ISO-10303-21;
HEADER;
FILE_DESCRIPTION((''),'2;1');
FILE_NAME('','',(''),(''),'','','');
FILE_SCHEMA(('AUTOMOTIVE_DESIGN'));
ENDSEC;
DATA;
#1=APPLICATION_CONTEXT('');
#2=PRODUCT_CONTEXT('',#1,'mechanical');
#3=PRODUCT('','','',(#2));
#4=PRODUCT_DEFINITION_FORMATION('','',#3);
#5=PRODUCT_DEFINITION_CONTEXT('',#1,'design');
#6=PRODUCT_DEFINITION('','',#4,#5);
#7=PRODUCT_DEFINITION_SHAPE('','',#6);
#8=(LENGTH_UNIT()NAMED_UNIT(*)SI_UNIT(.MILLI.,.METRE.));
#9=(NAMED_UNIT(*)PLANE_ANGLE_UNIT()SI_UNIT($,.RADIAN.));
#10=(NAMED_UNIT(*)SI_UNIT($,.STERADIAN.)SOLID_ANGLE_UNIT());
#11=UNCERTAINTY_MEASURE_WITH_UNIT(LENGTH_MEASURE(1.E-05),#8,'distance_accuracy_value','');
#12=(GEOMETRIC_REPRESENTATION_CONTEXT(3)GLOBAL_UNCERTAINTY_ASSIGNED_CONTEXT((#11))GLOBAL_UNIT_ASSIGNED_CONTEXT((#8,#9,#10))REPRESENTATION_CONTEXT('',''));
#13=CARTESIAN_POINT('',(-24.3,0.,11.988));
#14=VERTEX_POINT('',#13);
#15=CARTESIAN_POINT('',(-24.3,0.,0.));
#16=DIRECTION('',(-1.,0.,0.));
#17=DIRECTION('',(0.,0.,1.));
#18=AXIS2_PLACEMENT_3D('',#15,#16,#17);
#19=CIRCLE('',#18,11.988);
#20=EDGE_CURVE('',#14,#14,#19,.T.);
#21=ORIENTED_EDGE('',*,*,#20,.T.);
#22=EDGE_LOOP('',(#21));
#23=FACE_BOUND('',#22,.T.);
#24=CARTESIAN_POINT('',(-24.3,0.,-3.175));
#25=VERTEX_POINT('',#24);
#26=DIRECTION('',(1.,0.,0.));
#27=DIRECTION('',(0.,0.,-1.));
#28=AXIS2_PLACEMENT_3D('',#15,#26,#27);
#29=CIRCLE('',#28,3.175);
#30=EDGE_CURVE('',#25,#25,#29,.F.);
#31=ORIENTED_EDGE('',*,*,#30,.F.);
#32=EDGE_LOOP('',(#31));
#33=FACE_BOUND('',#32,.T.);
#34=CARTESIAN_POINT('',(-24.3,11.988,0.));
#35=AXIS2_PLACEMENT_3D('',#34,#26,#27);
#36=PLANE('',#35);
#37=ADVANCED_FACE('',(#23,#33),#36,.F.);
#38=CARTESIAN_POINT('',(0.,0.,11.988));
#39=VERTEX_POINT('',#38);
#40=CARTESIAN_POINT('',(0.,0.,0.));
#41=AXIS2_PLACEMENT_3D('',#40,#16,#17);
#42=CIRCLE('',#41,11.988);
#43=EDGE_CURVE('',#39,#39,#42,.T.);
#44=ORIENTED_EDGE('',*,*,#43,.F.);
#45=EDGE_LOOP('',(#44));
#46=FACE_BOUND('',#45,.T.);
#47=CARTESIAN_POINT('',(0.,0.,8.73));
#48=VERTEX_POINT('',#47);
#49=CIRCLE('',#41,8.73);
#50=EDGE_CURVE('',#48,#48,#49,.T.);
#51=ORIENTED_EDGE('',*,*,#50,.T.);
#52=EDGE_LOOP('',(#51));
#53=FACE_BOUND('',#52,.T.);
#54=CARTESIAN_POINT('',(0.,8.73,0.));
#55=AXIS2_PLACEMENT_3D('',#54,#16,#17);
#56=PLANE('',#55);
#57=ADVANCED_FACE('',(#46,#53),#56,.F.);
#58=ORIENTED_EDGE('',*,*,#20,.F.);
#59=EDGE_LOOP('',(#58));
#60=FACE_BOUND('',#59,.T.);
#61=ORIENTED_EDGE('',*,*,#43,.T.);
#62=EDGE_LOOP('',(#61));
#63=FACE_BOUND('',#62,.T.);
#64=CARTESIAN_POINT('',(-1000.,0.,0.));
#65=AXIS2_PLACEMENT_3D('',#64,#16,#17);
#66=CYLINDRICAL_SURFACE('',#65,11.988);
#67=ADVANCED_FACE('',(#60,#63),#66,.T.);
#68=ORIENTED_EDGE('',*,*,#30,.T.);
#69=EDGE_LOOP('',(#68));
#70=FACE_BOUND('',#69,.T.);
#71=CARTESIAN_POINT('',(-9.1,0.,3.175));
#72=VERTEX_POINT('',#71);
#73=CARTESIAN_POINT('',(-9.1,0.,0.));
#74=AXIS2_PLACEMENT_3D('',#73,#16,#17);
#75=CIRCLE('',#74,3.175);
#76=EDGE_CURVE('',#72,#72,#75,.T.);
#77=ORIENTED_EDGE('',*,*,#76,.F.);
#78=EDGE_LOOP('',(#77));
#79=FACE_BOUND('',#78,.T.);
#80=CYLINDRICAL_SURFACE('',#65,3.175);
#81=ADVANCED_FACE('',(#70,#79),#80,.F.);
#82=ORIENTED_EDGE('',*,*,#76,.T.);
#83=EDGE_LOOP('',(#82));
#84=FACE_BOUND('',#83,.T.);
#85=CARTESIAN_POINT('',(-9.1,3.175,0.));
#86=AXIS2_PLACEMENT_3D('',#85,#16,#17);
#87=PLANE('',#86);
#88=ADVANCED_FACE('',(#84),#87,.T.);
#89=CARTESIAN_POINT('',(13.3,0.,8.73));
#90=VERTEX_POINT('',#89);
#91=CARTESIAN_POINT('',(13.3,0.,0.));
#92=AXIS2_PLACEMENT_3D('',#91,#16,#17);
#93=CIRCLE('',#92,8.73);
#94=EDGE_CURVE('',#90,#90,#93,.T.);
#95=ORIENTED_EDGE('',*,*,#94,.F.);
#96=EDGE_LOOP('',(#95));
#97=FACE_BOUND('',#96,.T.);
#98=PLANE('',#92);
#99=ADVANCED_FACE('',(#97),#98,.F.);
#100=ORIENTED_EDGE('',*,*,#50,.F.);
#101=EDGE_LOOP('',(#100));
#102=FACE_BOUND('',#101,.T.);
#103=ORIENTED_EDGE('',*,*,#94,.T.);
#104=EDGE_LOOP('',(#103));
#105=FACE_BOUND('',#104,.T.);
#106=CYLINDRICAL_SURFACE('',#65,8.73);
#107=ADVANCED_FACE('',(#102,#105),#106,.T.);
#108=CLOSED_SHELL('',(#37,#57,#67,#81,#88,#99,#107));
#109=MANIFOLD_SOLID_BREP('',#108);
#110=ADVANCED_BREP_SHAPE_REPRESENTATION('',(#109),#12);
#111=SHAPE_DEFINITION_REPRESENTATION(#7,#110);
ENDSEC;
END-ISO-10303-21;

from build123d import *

# Parameters (mm, degrees)
SOCKET_SKETCH_W = 16.2
SOCKET_SKETCH_H = 3.175


with BuildPart() as part:
    # Conn_T4_ORB8 Sketch → Conn_T4_ORB8 (revolve)
    with BuildSketch(Plane.XY):
        Polygon((13.3, 0), (13.3, 8.73), (0, 8.73), (0, 11.988), (-24.3, 11.988), (-24.3, 0), align=None)
    revolve(axis=Axis((-1000, 0, 0), (1, 0, 0)))

    # Socket Sketch → Socket (revolve, cut)
    with BuildSketch(Plane.XY):
        with Locations((-17.2, 1.5875)):
            Rectangle(SOCKET_SKETCH_W, SOCKET_SKETCH_H)
    revolve(axis=Axis((-1000, 0, 0), (1, 0, 0)), mode=Mode.SUBTRACT)


solid = part.part
